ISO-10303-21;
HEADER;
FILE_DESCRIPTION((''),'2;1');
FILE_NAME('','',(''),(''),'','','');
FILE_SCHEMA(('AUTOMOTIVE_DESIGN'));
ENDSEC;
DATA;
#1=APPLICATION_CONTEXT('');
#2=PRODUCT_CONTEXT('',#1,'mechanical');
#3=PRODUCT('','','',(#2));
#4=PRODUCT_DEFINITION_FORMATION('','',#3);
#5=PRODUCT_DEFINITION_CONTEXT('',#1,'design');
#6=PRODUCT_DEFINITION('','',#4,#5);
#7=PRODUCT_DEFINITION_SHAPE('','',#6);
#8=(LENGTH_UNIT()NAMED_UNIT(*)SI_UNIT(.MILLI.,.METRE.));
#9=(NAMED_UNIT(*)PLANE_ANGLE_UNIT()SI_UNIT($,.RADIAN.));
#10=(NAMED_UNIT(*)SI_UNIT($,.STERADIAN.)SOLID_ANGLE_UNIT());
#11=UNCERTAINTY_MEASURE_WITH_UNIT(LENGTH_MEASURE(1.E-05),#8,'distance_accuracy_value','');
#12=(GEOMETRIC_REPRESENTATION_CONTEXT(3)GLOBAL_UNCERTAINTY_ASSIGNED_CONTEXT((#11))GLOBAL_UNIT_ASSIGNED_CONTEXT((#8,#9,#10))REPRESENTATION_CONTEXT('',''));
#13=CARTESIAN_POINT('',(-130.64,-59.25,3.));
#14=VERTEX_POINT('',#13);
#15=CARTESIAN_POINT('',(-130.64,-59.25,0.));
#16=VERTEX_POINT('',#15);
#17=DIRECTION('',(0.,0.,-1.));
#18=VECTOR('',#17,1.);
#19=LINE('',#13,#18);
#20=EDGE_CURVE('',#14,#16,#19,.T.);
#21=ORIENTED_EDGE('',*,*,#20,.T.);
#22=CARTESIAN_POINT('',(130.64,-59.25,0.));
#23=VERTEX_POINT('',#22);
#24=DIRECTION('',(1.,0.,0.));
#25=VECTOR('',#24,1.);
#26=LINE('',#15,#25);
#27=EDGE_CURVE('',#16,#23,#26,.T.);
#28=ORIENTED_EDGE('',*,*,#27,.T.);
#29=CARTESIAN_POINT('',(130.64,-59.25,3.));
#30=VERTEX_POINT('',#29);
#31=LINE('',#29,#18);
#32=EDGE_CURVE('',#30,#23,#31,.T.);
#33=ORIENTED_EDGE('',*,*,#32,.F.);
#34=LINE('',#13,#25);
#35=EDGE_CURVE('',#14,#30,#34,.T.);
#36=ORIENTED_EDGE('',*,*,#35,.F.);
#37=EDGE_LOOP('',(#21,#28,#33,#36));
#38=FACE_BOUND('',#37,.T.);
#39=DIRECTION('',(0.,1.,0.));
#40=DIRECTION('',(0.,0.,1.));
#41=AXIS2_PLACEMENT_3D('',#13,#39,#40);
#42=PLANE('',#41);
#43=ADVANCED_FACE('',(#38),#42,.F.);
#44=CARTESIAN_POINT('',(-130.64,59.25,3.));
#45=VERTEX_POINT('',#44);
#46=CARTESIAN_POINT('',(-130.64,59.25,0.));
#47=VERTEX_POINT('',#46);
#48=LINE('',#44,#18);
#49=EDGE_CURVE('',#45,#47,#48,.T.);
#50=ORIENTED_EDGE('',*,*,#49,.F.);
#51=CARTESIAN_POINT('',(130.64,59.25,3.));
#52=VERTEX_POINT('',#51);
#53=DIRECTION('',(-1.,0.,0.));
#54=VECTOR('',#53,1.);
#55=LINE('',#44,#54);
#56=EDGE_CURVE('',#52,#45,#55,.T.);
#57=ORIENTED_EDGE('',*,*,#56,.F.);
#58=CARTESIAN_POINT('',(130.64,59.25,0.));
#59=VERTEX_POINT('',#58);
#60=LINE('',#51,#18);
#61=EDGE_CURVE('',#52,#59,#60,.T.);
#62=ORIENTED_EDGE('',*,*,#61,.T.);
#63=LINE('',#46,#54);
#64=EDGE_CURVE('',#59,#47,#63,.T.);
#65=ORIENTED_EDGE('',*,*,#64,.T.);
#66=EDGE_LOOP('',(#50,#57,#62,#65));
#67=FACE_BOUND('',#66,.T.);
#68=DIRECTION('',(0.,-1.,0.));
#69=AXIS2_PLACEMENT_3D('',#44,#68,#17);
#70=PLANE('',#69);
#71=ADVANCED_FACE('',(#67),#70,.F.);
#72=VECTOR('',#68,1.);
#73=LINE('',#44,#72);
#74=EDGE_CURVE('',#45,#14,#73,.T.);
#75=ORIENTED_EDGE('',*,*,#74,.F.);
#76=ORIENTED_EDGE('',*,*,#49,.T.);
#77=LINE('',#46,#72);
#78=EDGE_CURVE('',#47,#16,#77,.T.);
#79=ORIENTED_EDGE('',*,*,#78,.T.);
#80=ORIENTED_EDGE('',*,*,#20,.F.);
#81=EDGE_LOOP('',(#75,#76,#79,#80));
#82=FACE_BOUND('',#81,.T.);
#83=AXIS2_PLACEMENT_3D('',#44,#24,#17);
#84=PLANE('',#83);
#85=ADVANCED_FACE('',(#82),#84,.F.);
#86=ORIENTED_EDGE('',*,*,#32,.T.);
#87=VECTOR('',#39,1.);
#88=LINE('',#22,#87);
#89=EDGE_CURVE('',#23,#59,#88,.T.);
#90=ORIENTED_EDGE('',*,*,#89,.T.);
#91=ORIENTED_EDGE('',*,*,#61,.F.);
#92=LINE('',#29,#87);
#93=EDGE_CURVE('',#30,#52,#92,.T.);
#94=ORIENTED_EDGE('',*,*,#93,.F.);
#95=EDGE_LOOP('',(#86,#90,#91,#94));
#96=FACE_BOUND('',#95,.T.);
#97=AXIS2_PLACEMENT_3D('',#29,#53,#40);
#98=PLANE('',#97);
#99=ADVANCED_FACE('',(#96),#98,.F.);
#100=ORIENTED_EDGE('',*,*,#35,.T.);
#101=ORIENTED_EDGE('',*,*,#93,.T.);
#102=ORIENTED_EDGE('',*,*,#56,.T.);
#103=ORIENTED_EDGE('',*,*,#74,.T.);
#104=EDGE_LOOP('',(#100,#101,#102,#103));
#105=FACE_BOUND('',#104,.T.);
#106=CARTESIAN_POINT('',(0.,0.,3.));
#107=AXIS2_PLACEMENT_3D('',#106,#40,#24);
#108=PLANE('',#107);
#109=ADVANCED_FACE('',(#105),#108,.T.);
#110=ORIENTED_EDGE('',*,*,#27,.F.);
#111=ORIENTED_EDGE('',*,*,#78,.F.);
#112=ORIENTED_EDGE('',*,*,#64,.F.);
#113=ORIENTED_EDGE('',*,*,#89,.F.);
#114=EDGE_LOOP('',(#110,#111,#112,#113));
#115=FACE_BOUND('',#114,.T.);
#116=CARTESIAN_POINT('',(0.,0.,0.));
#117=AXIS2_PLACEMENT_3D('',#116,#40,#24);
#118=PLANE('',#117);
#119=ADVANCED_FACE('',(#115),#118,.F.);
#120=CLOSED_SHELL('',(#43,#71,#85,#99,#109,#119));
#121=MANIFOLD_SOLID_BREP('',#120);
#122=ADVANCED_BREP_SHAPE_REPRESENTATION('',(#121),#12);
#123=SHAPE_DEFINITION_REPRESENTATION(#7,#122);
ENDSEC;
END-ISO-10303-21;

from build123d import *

# Parameters (mm, degrees)
SKETCH1_W           = 261.28
SKETCH1_H           = 118.5
BOSS_EXTRUDE1_DEPTH = 3


with BuildPart() as part:
    # Sketch1 → Boss-Extrude1 (new body)
    with BuildSketch(Plane.XY):
        Rectangle(SKETCH1_W, SKETCH1_H)
    extrude(amount=BOSS_EXTRUDE1_DEPTH)


solid = part.part
